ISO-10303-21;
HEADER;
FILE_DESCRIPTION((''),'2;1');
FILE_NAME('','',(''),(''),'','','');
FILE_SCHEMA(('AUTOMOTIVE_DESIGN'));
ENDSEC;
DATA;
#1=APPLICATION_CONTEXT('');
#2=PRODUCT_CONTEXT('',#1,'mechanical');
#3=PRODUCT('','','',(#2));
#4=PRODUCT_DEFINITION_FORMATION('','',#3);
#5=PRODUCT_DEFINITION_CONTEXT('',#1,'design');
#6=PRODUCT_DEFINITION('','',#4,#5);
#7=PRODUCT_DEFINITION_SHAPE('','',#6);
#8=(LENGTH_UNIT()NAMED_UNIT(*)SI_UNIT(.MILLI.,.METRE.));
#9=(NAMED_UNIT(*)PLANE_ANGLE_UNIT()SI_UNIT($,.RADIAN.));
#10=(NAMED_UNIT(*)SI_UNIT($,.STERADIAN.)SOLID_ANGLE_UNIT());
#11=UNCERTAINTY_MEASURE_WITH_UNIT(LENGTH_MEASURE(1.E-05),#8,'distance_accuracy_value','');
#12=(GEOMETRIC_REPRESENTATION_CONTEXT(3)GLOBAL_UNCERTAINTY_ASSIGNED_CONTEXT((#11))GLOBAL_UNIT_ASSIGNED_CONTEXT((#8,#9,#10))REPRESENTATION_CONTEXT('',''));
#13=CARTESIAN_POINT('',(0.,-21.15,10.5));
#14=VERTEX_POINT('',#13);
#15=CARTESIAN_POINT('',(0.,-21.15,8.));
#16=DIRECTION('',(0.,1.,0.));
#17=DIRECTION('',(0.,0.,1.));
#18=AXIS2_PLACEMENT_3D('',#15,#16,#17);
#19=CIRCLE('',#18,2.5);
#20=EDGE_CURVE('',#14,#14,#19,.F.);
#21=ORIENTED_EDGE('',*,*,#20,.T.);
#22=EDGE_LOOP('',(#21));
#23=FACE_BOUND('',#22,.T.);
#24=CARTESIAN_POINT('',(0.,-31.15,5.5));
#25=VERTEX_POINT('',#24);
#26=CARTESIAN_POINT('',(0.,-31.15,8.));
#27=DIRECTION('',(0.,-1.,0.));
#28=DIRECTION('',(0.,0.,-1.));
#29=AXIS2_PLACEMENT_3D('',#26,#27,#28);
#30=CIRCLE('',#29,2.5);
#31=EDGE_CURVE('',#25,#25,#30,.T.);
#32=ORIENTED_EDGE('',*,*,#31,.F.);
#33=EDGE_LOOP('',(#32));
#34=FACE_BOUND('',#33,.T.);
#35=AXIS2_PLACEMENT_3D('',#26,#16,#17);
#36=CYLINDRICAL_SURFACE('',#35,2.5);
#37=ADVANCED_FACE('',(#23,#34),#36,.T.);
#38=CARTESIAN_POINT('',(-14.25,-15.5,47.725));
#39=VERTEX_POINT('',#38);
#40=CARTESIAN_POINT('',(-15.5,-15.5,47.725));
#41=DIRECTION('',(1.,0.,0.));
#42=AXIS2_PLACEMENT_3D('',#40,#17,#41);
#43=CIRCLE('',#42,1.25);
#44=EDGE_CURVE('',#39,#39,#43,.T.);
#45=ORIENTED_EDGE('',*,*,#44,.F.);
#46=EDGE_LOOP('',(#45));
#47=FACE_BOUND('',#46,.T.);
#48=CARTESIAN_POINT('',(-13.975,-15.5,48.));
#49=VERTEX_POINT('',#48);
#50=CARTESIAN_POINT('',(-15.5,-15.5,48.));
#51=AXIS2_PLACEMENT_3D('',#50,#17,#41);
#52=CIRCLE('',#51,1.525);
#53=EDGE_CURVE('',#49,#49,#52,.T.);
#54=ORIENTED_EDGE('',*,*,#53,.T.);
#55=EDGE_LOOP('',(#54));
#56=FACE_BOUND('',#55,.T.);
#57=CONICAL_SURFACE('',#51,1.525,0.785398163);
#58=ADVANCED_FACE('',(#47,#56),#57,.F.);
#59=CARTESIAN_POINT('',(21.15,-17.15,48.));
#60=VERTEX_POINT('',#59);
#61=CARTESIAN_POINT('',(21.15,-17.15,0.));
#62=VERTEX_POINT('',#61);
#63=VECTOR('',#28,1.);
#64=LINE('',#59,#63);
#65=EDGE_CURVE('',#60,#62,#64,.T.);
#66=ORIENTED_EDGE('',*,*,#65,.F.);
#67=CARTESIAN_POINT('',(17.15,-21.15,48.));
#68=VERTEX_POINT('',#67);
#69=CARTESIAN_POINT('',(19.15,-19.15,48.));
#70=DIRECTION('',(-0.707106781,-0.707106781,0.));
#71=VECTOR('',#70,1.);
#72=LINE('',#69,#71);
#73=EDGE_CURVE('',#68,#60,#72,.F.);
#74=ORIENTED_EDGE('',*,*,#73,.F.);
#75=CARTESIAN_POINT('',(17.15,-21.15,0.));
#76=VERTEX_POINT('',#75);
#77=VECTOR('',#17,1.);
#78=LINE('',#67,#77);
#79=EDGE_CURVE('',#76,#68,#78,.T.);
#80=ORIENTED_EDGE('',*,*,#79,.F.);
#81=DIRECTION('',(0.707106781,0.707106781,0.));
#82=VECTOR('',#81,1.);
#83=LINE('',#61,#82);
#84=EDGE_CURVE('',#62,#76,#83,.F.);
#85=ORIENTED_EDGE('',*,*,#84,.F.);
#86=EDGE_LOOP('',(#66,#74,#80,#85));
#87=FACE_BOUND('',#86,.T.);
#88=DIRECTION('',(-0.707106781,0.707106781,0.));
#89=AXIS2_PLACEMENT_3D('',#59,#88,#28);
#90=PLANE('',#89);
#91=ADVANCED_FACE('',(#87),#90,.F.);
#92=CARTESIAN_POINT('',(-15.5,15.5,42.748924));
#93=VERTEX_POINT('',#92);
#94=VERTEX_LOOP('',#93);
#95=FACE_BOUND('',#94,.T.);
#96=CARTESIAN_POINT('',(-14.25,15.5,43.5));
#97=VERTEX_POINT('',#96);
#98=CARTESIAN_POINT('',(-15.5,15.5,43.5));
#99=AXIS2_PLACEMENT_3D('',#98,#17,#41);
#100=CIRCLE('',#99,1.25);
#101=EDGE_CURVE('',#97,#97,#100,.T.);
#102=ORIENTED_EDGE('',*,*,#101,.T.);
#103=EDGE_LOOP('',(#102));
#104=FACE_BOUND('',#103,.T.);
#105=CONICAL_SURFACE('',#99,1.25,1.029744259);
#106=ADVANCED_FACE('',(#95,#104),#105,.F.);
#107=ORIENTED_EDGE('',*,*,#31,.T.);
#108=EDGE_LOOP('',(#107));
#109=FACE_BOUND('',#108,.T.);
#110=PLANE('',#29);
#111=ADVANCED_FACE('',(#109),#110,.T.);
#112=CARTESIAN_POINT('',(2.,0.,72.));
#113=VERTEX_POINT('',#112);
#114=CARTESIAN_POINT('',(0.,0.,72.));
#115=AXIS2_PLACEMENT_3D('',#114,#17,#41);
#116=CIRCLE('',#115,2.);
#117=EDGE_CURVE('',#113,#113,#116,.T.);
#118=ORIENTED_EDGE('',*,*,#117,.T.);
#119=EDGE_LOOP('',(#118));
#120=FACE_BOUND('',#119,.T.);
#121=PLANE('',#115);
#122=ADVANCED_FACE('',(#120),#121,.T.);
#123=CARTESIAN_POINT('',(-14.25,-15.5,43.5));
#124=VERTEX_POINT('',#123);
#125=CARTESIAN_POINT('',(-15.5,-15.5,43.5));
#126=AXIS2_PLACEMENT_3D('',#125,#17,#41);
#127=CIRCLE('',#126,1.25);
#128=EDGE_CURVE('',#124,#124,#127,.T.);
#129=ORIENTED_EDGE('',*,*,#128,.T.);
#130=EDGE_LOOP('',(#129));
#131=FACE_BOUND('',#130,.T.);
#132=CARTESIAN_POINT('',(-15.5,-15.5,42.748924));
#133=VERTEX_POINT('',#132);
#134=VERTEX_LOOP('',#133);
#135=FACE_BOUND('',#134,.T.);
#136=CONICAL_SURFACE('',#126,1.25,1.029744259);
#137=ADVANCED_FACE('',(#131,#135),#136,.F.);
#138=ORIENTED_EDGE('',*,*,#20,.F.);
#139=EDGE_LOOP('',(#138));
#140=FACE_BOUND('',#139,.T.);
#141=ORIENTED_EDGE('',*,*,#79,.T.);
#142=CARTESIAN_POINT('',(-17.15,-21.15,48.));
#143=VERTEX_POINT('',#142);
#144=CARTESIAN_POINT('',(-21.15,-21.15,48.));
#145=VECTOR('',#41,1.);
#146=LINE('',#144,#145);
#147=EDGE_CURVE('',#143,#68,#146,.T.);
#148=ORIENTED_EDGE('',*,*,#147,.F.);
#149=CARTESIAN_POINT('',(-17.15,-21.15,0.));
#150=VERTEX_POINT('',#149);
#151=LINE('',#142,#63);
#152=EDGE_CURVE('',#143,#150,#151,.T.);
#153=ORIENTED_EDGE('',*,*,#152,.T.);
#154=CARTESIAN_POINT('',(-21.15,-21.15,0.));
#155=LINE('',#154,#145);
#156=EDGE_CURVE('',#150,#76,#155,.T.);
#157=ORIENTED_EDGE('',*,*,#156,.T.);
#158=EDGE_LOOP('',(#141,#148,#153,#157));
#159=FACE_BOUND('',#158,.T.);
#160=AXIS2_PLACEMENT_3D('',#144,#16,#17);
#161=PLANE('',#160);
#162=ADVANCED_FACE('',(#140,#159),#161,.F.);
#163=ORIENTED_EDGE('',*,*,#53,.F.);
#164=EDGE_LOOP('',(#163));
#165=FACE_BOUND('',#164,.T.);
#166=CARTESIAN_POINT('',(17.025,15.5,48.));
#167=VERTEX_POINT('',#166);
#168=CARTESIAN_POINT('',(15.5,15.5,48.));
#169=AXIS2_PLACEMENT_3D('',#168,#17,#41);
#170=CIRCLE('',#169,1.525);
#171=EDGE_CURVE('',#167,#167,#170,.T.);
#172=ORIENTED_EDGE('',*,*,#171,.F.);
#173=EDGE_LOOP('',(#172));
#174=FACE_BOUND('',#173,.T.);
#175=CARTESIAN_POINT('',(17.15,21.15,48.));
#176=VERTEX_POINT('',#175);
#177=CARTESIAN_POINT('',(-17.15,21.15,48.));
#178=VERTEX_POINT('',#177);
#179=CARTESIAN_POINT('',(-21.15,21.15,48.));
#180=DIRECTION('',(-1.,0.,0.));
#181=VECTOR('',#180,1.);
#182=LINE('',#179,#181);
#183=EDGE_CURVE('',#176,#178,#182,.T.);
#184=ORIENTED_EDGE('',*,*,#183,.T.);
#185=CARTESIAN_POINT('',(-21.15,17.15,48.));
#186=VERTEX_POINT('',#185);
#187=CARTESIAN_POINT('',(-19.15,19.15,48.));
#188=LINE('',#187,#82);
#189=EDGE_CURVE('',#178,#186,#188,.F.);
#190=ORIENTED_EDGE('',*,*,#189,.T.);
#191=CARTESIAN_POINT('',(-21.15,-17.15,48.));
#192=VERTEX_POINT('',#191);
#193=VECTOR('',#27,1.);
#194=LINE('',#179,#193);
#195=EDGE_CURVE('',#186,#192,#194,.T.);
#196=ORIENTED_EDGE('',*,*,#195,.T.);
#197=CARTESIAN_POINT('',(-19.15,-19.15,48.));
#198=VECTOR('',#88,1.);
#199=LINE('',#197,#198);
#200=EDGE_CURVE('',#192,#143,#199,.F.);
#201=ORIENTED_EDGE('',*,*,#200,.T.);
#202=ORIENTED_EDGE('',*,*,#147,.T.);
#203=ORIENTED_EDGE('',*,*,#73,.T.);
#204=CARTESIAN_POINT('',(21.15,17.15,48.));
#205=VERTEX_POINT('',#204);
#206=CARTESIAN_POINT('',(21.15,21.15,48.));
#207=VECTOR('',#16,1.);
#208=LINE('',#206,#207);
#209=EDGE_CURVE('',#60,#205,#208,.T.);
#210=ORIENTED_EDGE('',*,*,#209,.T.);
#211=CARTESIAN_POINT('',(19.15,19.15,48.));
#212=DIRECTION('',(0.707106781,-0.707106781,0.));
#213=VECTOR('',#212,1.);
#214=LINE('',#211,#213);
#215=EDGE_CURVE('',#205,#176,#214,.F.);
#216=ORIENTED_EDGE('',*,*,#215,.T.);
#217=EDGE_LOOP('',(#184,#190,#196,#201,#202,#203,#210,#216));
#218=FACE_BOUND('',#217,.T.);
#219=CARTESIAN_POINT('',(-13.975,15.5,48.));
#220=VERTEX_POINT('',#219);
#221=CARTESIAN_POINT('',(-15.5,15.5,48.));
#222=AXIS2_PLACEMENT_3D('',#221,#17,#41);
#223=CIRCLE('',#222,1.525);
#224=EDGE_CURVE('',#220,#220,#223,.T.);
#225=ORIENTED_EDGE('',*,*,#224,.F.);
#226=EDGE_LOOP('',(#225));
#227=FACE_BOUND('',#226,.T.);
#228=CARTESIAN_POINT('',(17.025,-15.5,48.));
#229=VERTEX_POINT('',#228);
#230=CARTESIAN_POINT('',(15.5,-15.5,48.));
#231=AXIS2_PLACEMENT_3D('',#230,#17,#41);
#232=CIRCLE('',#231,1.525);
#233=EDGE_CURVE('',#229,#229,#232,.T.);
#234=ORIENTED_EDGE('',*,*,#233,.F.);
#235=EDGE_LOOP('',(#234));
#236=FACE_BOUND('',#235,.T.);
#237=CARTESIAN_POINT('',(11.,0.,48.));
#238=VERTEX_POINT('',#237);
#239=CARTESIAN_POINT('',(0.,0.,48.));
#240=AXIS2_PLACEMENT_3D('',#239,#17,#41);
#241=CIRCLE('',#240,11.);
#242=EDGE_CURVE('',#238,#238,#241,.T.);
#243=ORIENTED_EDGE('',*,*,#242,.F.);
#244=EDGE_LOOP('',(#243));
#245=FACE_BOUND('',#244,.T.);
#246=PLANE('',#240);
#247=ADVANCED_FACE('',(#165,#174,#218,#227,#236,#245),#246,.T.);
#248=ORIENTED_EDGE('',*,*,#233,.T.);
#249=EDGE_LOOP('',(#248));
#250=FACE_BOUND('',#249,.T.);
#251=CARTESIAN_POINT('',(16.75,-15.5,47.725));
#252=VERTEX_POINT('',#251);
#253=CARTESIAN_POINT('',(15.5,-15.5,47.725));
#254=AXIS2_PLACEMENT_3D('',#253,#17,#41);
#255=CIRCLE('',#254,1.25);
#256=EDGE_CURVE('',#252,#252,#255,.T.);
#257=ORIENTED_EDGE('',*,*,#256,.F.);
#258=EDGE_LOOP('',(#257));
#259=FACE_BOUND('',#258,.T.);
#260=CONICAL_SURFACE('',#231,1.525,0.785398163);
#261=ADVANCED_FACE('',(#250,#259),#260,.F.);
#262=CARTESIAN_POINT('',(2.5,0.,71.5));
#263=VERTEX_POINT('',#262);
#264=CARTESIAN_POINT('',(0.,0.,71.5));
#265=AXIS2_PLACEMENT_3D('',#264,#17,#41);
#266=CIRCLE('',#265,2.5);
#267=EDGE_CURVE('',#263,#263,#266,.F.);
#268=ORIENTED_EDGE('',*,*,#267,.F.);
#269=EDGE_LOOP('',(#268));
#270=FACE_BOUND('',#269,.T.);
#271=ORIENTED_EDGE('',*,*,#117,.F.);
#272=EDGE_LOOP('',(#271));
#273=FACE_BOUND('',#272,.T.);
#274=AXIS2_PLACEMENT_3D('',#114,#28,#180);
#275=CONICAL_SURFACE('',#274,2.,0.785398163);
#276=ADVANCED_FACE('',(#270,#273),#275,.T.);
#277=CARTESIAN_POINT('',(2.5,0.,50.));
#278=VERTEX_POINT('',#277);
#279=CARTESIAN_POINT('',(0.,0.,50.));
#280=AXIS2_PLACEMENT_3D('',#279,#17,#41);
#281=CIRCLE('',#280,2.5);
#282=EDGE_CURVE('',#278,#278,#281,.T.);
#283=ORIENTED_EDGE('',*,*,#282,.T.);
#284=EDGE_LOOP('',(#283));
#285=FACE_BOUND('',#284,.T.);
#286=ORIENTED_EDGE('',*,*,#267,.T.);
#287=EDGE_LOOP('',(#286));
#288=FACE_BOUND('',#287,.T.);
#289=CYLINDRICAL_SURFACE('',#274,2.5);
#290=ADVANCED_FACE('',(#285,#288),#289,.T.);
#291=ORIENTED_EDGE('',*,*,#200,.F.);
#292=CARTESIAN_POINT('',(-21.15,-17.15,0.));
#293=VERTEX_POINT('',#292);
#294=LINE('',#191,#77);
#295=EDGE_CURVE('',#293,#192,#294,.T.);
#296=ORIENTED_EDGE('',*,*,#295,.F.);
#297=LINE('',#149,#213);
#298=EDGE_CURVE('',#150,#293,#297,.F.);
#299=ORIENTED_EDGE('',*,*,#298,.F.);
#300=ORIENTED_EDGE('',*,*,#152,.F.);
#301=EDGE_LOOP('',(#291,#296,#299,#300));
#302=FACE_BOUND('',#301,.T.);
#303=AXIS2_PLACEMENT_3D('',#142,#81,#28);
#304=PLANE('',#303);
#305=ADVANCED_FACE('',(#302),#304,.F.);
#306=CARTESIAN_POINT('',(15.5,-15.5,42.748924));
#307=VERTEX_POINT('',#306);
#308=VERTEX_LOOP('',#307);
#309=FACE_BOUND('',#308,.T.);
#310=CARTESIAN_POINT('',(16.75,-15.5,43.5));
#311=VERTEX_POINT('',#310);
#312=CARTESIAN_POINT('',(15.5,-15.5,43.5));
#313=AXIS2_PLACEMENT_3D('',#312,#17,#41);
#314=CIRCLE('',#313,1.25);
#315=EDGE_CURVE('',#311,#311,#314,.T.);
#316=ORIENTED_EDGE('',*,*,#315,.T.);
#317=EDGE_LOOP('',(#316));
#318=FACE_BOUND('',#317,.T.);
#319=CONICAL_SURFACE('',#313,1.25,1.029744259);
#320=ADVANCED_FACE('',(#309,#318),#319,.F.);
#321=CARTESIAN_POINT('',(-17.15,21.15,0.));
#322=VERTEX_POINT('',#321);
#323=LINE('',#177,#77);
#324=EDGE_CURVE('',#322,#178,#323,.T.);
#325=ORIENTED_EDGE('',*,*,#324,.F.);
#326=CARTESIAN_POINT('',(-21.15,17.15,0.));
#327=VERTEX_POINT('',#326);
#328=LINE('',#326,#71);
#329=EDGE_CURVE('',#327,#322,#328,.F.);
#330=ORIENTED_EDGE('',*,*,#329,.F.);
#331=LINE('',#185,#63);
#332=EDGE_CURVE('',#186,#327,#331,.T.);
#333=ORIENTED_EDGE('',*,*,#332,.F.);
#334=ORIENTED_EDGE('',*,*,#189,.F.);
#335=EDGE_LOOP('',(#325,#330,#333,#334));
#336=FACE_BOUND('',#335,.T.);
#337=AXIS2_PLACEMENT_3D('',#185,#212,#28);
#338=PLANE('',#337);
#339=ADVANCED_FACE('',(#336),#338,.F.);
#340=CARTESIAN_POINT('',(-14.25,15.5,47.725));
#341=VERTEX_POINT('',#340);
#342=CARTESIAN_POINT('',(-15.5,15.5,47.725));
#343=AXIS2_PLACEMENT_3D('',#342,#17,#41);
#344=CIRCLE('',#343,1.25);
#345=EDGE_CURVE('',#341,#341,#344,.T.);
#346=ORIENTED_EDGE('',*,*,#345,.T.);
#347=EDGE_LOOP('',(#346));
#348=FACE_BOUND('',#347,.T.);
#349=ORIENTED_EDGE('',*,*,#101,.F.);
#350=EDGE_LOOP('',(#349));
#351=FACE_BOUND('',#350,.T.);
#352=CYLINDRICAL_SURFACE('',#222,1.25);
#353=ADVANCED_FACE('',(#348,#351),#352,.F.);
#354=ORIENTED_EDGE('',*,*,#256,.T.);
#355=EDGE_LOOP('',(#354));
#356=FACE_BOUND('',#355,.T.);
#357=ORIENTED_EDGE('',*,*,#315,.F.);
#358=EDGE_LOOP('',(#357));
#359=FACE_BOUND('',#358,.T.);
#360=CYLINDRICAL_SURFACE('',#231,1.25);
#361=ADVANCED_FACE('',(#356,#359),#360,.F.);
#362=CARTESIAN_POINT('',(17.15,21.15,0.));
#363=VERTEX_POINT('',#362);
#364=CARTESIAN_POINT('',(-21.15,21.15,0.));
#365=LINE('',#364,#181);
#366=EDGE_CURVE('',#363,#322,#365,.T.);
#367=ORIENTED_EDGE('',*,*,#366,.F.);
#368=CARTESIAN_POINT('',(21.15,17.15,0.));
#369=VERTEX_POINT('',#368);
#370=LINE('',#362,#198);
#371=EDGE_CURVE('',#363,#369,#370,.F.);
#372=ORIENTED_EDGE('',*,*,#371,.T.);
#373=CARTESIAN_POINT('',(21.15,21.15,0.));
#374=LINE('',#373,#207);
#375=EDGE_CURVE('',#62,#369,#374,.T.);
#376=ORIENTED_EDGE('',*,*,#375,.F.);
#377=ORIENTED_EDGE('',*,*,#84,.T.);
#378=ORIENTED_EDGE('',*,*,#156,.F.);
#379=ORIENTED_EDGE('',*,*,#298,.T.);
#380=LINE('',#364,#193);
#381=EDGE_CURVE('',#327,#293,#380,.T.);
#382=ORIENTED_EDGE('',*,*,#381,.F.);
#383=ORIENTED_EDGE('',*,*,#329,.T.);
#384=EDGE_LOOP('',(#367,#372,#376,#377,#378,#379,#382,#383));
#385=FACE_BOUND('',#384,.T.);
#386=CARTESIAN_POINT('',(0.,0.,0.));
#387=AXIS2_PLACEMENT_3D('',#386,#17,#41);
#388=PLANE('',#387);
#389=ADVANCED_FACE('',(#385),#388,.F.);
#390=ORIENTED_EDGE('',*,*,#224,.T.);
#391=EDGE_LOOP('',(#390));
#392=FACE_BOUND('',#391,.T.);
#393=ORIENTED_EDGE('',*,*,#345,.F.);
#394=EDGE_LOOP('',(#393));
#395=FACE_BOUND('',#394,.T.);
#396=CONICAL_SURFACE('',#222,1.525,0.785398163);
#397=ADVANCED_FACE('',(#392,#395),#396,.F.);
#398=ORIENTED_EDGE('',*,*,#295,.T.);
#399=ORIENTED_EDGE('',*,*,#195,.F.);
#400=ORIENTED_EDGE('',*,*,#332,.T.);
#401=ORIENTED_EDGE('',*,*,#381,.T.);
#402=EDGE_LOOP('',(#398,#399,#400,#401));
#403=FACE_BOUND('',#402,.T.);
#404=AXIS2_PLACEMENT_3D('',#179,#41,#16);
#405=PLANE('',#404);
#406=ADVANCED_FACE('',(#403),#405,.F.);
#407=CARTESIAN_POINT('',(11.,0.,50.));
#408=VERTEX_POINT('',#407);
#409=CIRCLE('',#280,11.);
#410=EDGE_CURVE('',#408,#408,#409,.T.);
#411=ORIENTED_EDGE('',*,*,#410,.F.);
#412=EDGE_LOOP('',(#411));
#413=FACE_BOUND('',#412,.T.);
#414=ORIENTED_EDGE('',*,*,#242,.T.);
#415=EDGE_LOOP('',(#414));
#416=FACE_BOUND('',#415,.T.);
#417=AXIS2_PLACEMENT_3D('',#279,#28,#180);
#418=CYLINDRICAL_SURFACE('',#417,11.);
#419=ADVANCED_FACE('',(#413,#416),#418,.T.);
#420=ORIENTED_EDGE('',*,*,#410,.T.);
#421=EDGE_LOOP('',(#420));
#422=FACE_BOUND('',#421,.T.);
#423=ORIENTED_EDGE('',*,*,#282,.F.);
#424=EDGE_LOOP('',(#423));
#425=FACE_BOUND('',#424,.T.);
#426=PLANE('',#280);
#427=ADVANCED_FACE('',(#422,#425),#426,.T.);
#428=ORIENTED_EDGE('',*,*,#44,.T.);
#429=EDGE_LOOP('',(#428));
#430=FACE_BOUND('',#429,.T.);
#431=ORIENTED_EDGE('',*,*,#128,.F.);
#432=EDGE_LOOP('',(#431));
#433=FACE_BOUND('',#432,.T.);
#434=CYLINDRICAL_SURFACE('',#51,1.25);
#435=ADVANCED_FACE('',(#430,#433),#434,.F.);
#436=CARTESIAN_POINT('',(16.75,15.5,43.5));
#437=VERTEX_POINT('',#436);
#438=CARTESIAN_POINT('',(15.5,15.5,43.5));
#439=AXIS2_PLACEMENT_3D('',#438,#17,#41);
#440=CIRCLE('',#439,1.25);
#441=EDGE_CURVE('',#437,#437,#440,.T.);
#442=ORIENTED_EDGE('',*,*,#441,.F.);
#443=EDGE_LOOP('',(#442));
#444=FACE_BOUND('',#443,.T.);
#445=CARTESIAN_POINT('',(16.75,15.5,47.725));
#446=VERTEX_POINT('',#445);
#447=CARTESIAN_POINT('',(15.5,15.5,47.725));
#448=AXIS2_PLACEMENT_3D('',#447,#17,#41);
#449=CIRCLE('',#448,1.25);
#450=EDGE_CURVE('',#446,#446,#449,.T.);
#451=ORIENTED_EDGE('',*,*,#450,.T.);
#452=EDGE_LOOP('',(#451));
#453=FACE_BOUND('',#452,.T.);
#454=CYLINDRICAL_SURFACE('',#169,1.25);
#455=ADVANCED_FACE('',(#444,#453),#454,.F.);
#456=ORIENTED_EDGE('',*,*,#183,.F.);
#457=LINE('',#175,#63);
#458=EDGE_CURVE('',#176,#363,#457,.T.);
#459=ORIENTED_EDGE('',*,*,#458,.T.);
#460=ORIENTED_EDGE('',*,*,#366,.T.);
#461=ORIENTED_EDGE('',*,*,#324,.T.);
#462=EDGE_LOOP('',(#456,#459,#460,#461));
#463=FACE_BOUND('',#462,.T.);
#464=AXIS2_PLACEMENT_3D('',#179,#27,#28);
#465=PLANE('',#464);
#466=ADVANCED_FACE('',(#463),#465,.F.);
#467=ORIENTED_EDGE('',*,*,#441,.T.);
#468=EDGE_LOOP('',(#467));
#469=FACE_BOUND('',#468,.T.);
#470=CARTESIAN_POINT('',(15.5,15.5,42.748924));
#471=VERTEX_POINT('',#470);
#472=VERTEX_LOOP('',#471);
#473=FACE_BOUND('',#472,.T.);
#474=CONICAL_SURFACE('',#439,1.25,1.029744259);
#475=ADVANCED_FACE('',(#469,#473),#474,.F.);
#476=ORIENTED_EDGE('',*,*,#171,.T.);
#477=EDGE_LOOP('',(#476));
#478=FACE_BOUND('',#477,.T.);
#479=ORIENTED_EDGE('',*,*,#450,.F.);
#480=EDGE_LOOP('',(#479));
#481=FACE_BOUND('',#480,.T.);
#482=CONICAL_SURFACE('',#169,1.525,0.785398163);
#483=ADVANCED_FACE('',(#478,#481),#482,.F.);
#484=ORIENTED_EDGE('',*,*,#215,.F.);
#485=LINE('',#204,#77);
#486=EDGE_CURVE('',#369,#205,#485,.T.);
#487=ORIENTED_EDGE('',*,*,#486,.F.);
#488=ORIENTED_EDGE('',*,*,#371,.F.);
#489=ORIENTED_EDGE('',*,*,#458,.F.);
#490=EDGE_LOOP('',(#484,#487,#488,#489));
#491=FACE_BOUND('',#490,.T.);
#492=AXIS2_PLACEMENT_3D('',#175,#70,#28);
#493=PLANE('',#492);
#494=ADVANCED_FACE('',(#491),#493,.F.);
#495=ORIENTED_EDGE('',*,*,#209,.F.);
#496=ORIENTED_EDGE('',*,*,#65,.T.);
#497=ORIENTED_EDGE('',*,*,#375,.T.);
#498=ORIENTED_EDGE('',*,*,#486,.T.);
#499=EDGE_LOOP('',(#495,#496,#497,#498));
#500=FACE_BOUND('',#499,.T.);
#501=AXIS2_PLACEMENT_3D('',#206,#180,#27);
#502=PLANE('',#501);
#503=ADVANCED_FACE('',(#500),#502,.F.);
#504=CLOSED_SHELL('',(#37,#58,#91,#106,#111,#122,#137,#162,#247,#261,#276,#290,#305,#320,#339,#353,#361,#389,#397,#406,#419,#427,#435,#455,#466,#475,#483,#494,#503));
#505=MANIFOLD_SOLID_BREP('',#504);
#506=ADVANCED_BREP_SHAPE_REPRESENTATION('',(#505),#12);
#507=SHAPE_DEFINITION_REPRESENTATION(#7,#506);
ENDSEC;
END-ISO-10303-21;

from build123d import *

# Parameters (mm, degrees)
SKETCH1_W                   = 42.3
SKETCH1_H                   = 42.3
BOSS_EXTRUDE1_DEPTH         = 48
SKETCH2_R                   = 11
BOSS_EXTRUDE2_DEPTH         = 2
SKETCH3_R                   = 2.5
BOSS_EXTRUDE3_DEPTH         = 22
CHAMFER1_SIZE               = 0.5
CHAMFER2_SIZE               = 4
M3_TAPPED_HOLE1_D           = 2.5
M3_TAPPED_HOLE1_DEPTH       = 4.5
M3_TAPPED_HOLE1_CSINK_D     = 3.05
M3_TAPPED_HOLE1_CSINK_ANGLE = 90
M3_TAPPED_HOLE1_TIP         = 0.751075774
SKETCH5_R                   = 2.5
BOSS_EXTRUDE4_DEPTH         = 10


with BuildPart() as part:
    # Sketch1 → Boss-Extrude1 (new body)
    with BuildSketch(Plane.XY):
        Rectangle(SKETCH1_W, SKETCH1_H)
    extrude(amount=BOSS_EXTRUDE1_DEPTH)

    # Sketch2 → Boss-Extrude2 (add)
    with BuildSketch(Plane.XY.offset(48)):
        Circle(SKETCH2_R)
    extrude(amount=BOSS_EXTRUDE2_DEPTH)

    # Sketch3 → Boss-Extrude3 (add)
    with BuildSketch(Plane.XY.offset(50)):
        Circle(SKETCH3_R)
    extrude(amount=BOSS_EXTRUDE3_DEPTH)

    # Chamfer1
    chamfer1_edges = [part.edges().sort_by_distance(p)[0] for p in [
        (-2.5, 0, 72),
    ]]
    chamfer(chamfer1_edges, length=CHAMFER1_SIZE)

    # Chamfer2
    chamfer2_edges = [part.edges().sort_by_distance(p)[0] for p in [
        (-21.15, 21.15, 24),
        (21.15, 21.15, 24),
        (21.15, -21.15, 24),
        (-21.15, -21.15, 24),
    ]]
    chamfer(chamfer2_edges, length=CHAMFER2_SIZE)

    # M3 Tapped Hole1
    with Locations(Plane(origin=(-15.5, 15.5, 48), x_dir=(1, 0, 0), z_dir=(0, 0, 1))):
        with Locations((0, 0), (31, 0), (31, -31), (0, -31)):
            CounterSinkHole(M3_TAPPED_HOLE1_D / 2, M3_TAPPED_HOLE1_CSINK_D / 2, depth=M3_TAPPED_HOLE1_DEPTH, counter_sink_angle=M3_TAPPED_HOLE1_CSINK_ANGLE)
            with Locations((0, 0, -(M3_TAPPED_HOLE1_DEPTH + M3_TAPPED_HOLE1_TIP / 2))):  # 118° drill point
                Cone(0, M3_TAPPED_HOLE1_D / 2, M3_TAPPED_HOLE1_TIP, mode=Mode.SUBTRACT)

    # Sketch5 → Boss-Extrude4 (add)
    with BuildSketch(Plane.XZ.offset(21.15)):
        with Locations(Location((0, 8, 0), (0, 0, 90))):
            Circle(SKETCH5_R)
    extrude(amount=BOSS_EXTRUDE4_DEPTH)


solid = part.part
